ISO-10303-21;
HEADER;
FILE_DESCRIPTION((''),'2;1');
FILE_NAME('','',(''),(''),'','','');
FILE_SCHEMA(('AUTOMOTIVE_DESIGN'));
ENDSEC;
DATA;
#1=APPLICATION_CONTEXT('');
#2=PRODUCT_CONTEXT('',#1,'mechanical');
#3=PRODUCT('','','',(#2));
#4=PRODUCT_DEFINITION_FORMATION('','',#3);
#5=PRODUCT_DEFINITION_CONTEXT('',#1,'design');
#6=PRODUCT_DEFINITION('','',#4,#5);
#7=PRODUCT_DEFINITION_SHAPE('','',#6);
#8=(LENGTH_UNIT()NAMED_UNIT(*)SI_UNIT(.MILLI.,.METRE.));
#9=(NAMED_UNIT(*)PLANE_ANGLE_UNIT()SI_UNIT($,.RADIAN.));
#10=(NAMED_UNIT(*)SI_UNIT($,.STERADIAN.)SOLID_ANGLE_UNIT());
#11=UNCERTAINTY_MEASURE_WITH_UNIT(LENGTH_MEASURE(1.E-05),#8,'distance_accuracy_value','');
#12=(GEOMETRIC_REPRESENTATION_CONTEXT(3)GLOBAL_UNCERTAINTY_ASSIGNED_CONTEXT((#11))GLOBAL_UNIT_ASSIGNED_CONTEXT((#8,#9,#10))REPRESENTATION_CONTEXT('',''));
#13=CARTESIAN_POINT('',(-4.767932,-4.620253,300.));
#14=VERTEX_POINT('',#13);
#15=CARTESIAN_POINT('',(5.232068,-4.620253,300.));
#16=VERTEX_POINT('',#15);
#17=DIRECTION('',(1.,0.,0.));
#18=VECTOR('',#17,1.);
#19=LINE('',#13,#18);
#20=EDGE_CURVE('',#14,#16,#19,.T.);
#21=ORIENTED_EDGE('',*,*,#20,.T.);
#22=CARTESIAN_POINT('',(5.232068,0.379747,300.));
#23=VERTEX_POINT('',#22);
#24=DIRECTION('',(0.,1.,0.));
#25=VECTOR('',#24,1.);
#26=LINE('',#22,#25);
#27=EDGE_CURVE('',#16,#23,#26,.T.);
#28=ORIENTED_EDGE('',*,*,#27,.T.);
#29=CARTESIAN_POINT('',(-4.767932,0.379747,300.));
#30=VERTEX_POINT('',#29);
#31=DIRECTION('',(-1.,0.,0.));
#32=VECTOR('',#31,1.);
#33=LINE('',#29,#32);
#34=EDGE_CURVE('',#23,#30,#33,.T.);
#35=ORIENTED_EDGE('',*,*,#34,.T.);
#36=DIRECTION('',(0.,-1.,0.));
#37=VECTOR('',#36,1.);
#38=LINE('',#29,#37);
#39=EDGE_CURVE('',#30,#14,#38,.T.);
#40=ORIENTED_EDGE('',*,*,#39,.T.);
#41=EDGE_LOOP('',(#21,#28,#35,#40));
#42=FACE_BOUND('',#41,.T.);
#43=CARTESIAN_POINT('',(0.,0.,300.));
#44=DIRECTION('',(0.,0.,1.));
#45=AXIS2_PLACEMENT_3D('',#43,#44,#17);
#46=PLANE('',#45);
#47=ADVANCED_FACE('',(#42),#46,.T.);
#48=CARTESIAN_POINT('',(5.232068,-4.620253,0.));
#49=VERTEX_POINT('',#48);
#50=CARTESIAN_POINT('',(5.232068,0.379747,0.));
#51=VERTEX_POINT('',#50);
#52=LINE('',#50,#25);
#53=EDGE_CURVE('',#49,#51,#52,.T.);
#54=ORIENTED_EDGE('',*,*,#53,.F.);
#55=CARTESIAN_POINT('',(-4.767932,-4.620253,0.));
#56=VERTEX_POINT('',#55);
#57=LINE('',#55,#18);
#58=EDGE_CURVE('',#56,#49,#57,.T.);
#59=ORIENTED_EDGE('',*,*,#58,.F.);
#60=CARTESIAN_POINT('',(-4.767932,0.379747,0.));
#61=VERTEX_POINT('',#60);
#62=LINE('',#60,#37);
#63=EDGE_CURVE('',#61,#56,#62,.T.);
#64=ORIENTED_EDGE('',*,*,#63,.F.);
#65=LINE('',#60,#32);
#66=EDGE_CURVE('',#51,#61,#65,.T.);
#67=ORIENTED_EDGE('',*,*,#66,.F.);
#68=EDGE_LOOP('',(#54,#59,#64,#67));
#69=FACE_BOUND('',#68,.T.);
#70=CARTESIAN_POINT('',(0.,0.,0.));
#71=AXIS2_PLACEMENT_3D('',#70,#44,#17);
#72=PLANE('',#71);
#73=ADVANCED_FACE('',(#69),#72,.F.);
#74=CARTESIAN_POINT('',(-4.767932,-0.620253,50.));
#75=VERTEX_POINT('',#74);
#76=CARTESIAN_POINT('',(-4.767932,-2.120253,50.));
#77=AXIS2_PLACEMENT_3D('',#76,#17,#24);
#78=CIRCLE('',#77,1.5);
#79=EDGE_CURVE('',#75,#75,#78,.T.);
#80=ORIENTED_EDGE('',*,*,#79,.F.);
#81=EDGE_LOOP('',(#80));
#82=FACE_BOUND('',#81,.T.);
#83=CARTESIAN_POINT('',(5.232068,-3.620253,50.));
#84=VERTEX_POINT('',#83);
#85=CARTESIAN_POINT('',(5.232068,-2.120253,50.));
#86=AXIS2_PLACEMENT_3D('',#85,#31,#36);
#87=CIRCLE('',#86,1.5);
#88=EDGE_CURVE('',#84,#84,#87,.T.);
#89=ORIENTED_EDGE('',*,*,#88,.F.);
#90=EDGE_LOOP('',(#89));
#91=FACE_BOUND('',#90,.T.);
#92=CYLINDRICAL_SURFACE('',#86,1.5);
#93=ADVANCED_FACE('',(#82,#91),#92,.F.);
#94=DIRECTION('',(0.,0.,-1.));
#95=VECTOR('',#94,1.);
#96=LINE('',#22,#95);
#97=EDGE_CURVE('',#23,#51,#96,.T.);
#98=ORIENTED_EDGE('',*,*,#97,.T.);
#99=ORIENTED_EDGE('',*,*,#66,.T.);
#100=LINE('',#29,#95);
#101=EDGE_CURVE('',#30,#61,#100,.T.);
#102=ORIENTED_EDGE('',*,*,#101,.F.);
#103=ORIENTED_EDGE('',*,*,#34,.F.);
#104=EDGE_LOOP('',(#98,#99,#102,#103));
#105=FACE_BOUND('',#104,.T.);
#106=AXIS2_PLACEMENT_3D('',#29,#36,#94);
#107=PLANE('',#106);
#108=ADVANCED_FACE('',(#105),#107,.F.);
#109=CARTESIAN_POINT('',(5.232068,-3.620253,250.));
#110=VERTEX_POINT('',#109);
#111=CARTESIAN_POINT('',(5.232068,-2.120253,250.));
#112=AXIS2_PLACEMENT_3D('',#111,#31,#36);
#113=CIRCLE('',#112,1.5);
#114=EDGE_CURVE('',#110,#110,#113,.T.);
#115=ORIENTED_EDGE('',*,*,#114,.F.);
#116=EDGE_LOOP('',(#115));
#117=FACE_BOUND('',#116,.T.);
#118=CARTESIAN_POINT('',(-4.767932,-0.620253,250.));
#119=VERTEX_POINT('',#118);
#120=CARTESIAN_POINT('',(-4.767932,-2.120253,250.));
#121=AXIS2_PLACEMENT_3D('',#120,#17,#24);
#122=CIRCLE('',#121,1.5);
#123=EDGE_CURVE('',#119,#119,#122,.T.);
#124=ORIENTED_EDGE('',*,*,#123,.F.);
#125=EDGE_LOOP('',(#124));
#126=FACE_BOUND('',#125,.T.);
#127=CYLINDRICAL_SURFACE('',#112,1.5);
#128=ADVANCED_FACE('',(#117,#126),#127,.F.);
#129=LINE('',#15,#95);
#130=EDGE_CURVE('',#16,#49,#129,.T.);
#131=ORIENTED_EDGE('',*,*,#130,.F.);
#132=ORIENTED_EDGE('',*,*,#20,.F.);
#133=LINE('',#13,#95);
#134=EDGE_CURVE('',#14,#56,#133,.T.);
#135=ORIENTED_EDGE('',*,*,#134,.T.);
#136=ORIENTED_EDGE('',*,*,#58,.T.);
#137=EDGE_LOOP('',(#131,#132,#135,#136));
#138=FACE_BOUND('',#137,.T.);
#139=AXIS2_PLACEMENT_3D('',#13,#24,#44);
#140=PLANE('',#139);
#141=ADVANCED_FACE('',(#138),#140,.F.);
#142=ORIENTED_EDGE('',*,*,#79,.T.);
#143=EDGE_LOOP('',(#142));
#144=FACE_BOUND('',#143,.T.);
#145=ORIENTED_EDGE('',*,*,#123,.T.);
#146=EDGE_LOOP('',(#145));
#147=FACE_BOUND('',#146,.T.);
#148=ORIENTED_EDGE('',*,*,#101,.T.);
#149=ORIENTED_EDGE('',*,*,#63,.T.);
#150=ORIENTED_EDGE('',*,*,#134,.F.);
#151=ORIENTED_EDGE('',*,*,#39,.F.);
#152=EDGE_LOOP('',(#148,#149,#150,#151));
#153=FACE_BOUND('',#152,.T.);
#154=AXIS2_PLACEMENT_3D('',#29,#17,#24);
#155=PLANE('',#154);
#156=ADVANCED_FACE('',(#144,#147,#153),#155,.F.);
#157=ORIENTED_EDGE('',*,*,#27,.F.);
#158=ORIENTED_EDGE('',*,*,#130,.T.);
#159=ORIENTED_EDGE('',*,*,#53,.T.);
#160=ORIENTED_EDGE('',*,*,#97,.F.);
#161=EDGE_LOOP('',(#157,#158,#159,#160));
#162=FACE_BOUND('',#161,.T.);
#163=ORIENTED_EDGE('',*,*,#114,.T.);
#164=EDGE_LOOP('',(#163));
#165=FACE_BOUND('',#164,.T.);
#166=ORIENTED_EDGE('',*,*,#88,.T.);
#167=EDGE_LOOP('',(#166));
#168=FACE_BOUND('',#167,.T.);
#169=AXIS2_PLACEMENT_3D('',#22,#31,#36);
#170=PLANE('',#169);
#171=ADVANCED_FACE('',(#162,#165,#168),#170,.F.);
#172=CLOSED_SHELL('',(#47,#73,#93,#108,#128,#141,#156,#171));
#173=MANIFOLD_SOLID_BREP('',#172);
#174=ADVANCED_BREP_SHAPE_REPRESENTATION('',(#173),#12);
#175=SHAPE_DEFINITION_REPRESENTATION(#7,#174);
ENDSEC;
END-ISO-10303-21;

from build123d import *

# Parameters (mm, degrees)
SKETCH1_W               = 10
SKETCH1_H               = 5
BOSS_EXTRUDE1_DEPTH     = 300
CUT_EXTRUDE2_DEPTH      = 301.20217644
CUT_EXTRUDE2_DEPTH_BACK = 301.20217644
SKETCH3_R               = 1.5


with BuildPart() as part:
    # Sketch1 → Boss-Extrude1 (new body)
    with BuildSketch(Plane.XY):
        with Locations((0.232067511, -2.120253165)):
            Rectangle(SKETCH1_W, SKETCH1_H)
    extrude(amount=BOSS_EXTRUDE1_DEPTH)

    # Sketch3 → Cut-Extrude2 (cut, two sides: drawn at the far end of the back side and taken through both)
    with BuildSketch(Plane.ZY.offset(4.767932489).offset(-CUT_EXTRUDE2_DEPTH_BACK)):
        with Locations(Location((250, -2.120253165, 0), (0, 0, 270))):
            Circle(SKETCH3_R)
        with Locations(Location((50, -2.120253165, 0), (0, 0, 270))):
            Circle(SKETCH3_R)
    extrude(amount=CUT_EXTRUDE2_DEPTH + CUT_EXTRUDE2_DEPTH_BACK, mode=Mode.SUBTRACT)


solid = part.part
